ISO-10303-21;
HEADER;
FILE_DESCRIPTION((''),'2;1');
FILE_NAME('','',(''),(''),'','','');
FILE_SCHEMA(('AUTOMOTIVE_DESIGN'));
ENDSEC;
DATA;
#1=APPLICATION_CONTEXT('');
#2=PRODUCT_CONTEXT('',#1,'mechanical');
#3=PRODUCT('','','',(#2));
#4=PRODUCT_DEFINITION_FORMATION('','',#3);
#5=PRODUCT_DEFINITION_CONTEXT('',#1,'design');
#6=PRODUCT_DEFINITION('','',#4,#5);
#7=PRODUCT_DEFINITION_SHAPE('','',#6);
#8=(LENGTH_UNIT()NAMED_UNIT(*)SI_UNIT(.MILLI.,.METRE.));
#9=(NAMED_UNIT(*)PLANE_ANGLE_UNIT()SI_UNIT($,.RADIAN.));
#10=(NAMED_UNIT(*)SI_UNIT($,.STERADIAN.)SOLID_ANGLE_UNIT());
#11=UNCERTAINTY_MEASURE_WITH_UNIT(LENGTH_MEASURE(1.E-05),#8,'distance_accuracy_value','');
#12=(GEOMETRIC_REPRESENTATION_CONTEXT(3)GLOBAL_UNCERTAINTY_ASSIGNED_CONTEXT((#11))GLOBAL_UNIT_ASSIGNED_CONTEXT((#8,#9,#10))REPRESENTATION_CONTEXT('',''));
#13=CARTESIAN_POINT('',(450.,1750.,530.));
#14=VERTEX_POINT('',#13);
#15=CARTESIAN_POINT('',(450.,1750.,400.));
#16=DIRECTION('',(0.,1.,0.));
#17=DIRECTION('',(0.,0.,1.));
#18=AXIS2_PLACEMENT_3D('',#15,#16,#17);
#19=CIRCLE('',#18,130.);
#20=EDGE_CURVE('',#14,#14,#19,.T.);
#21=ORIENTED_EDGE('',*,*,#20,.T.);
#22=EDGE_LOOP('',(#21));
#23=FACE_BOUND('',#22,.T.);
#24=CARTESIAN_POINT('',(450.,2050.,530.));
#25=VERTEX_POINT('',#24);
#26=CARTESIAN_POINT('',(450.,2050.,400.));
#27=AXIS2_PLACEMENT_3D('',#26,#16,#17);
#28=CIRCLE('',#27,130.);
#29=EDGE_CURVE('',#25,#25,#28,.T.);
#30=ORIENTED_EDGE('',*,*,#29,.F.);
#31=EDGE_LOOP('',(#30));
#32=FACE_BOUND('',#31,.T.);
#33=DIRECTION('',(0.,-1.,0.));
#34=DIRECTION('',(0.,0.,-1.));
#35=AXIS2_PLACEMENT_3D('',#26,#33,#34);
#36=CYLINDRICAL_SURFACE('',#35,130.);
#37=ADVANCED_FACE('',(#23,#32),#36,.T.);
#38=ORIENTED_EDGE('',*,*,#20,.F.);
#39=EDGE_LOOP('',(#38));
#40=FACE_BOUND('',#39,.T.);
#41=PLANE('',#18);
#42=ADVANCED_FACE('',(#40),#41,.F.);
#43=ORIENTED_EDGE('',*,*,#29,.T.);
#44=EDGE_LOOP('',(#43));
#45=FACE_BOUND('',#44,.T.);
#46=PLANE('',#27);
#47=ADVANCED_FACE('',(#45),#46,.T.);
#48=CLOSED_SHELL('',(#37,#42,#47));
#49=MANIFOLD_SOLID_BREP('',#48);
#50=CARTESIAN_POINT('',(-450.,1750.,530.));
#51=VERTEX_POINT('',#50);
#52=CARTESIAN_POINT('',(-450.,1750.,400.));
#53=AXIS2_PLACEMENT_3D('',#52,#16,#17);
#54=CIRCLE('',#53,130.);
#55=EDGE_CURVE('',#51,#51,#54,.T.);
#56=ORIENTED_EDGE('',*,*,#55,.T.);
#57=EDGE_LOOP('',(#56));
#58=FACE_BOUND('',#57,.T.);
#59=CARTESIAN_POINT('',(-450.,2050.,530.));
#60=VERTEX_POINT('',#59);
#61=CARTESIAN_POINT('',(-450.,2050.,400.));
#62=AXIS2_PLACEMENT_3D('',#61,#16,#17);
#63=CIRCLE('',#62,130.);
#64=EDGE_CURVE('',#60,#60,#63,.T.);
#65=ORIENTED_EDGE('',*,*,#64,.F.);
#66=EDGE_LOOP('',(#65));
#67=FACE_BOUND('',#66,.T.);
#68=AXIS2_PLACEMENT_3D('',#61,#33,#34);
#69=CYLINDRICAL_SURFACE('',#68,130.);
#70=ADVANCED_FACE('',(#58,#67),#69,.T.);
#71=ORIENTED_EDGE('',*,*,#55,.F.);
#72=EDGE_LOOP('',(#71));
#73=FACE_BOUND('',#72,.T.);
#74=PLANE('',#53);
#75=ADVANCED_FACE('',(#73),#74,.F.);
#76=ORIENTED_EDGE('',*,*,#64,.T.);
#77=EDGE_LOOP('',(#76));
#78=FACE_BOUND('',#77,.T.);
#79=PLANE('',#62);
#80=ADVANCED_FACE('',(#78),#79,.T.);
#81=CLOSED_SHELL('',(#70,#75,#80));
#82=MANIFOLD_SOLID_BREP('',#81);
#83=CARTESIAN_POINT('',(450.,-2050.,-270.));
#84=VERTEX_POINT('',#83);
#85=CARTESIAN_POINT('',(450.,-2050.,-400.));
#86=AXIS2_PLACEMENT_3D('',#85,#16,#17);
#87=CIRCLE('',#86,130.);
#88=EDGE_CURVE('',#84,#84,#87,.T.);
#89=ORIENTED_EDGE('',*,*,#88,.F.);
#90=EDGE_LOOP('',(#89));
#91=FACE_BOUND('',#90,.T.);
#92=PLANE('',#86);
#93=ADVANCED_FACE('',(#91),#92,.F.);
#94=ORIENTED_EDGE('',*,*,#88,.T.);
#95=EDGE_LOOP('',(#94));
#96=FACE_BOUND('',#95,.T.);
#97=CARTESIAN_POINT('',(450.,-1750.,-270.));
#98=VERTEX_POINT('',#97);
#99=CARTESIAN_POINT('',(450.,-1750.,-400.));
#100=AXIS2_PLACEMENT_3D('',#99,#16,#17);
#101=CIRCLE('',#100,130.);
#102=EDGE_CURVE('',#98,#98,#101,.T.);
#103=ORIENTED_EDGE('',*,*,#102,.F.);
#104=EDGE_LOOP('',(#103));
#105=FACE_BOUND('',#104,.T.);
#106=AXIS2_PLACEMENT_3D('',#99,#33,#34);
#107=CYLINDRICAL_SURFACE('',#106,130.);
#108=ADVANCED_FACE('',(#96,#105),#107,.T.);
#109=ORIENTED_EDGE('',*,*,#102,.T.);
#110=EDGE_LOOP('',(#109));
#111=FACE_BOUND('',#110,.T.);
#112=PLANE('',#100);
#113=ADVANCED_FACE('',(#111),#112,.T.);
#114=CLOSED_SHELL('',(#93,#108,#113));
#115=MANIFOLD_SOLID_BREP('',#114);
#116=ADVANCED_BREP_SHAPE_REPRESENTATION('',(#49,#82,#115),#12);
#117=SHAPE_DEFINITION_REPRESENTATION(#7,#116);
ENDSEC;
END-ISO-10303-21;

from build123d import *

# Parameters (mm, degrees)
BOSS_EXTRUDE1_START = 1750
SKETCH1_R           = 130
BOSS_EXTRUDE1_DEPTH = 300
BOSS_EXTRUDE2_START = 1750
SKETCH2_R           = 130
BOSS_EXTRUDE2_DEPTH = 300
BOSS_EXTRUDE3_START = -2050
SKETCH3_R           = 130
BOSS_EXTRUDE3_DEPTH = 300


with BuildPart() as part:
    # Sketch1 → Boss-Extrude1 (new body)
    with BuildSketch(Plane(origin=(0, 0, 0), x_dir=(1, 0, 0), z_dir=(0, 1, 0)).offset(BOSS_EXTRUDE1_START)):
        with Locations(Location((450, -400, 0), (0, 0, 270))):
            Circle(SKETCH1_R)
    extrude(amount=BOSS_EXTRUDE1_DEPTH)


with BuildPart() as body_2:
    # Sketch2 → Boss-Extrude2 (new body)
    with BuildSketch(Plane(origin=(0, 0, 0), x_dir=(1, 0, 0), z_dir=(0, 1, 0)).offset(BOSS_EXTRUDE2_START)):
        with Locations(Location((-450, -400, 0), (0, 0, 270))):
            Circle(SKETCH2_R)
    extrude(amount=BOSS_EXTRUDE2_DEPTH)


with BuildPart() as body_3:
    # Sketch3 → Boss-Extrude3 (new body)
    with BuildSketch(Plane(origin=(0, 0, 0), x_dir=(1, 0, 0), z_dir=(0, 1, 0)).offset(BOSS_EXTRUDE3_START)):
        with Locations(Location((450, 400, 0), (0, 0, 270))):
            Circle(SKETCH3_R)
    extrude(amount=BOSS_EXTRUDE3_DEPTH)


solid = Compound([part.part, body_2.part, body_3.part])
